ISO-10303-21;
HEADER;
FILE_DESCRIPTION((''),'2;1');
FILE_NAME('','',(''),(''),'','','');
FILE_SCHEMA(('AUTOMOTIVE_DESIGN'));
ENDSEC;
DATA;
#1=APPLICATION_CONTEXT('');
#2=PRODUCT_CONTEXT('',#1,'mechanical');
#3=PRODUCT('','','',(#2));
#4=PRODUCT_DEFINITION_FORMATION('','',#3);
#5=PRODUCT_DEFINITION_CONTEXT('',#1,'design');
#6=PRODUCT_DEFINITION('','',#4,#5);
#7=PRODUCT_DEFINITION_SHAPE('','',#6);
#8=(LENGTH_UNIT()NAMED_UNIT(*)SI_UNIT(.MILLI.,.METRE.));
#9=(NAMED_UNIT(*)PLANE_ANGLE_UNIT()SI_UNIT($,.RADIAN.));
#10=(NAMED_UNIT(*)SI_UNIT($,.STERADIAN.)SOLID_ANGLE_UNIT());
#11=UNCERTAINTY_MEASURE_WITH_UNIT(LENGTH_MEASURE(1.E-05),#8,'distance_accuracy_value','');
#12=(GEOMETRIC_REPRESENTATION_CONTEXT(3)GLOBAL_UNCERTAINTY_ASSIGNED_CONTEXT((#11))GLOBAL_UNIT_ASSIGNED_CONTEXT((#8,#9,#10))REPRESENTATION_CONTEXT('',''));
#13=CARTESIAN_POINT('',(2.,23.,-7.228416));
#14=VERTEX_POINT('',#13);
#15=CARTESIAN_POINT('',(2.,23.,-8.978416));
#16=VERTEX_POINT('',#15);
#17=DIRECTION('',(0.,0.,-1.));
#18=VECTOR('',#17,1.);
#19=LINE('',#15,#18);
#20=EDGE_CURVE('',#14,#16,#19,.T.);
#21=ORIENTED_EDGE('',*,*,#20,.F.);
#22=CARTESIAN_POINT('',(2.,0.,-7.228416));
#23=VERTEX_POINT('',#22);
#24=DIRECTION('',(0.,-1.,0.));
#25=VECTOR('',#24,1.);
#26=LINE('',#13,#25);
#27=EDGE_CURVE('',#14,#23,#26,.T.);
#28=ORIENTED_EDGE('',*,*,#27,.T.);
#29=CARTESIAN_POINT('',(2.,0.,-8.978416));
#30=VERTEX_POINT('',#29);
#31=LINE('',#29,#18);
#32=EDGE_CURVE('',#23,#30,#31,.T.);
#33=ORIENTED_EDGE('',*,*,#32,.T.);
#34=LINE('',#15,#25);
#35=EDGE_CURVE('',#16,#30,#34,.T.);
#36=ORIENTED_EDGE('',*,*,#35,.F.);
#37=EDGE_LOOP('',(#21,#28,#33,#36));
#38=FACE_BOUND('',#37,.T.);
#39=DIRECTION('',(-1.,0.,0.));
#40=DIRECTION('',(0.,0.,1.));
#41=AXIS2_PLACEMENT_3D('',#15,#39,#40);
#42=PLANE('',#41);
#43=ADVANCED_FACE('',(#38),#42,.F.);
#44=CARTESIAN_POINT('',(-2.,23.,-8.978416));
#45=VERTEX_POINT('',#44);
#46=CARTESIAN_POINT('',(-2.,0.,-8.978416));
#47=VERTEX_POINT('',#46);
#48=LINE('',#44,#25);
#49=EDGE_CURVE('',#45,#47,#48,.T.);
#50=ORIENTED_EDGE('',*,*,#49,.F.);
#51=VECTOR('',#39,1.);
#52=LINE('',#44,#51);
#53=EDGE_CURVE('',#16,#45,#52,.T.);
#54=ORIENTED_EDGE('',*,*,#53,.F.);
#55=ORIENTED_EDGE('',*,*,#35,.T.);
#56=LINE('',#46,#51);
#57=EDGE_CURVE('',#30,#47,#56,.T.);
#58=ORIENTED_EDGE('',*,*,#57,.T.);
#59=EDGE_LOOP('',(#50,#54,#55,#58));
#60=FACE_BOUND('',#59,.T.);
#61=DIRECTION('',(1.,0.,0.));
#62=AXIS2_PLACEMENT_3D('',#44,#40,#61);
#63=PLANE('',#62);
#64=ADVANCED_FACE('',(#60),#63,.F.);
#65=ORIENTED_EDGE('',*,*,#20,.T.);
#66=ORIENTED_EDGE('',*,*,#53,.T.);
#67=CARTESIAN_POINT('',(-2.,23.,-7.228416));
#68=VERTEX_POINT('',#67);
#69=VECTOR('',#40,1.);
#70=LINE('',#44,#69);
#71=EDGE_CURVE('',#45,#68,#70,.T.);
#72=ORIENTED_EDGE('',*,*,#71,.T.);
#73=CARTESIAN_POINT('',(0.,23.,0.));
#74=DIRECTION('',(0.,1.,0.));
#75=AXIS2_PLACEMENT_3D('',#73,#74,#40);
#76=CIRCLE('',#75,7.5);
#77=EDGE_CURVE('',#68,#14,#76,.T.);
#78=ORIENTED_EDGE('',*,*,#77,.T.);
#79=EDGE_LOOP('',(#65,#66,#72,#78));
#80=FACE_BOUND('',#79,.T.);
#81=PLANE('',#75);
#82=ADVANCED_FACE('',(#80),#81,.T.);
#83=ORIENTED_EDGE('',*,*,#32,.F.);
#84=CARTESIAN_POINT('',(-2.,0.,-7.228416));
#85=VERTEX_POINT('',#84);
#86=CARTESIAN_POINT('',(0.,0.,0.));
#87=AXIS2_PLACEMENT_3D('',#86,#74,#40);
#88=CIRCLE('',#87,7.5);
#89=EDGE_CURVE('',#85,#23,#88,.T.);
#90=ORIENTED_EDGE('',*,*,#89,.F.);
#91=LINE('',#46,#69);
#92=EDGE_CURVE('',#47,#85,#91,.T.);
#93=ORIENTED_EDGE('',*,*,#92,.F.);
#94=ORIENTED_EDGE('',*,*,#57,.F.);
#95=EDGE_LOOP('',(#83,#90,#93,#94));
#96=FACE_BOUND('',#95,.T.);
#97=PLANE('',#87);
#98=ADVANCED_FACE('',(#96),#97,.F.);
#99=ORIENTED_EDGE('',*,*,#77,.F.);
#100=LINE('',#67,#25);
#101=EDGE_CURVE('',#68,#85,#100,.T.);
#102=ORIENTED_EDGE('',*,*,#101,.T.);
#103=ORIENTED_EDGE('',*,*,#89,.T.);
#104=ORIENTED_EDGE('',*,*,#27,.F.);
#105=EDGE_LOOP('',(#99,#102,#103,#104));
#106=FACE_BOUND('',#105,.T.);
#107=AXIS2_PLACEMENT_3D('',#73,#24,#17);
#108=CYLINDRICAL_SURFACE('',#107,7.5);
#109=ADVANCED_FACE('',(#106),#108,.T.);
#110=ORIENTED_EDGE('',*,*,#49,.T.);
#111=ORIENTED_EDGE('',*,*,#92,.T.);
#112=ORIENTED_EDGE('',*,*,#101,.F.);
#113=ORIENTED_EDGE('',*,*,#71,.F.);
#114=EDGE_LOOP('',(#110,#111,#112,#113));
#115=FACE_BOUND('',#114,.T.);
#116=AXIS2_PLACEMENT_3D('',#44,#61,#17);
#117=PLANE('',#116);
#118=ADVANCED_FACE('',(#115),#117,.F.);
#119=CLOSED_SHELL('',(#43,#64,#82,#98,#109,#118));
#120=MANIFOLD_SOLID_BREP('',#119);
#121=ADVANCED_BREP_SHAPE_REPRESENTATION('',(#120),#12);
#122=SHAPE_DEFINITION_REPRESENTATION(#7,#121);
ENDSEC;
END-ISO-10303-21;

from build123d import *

# Parameters (mm, degrees)
RESSALTO_EXTRUS_O1_DEPTH = 23


with BuildPart() as part:
    # Esboço1 → Ressalto-extrusão1 (new body)
    with BuildSketch(Plane(origin=(0, 0, 0), x_dir=(1, 0, 0), z_dir=(0, 1, 0))):
        with BuildLine():
            Line((-2, 8.978416147), (2, 8.978416147))
            Line((2, 8.978416147), (2, 7.228416147))
            ThreePointArc((2, 7.228416147), (0, -7.5), (-2, 7.228416147))
            Line((-2, 7.228416147), (-2, 8.978416147))
        make_face()
    extrude(amount=RESSALTO_EXTRUS_O1_DEPTH)


solid = part.part
